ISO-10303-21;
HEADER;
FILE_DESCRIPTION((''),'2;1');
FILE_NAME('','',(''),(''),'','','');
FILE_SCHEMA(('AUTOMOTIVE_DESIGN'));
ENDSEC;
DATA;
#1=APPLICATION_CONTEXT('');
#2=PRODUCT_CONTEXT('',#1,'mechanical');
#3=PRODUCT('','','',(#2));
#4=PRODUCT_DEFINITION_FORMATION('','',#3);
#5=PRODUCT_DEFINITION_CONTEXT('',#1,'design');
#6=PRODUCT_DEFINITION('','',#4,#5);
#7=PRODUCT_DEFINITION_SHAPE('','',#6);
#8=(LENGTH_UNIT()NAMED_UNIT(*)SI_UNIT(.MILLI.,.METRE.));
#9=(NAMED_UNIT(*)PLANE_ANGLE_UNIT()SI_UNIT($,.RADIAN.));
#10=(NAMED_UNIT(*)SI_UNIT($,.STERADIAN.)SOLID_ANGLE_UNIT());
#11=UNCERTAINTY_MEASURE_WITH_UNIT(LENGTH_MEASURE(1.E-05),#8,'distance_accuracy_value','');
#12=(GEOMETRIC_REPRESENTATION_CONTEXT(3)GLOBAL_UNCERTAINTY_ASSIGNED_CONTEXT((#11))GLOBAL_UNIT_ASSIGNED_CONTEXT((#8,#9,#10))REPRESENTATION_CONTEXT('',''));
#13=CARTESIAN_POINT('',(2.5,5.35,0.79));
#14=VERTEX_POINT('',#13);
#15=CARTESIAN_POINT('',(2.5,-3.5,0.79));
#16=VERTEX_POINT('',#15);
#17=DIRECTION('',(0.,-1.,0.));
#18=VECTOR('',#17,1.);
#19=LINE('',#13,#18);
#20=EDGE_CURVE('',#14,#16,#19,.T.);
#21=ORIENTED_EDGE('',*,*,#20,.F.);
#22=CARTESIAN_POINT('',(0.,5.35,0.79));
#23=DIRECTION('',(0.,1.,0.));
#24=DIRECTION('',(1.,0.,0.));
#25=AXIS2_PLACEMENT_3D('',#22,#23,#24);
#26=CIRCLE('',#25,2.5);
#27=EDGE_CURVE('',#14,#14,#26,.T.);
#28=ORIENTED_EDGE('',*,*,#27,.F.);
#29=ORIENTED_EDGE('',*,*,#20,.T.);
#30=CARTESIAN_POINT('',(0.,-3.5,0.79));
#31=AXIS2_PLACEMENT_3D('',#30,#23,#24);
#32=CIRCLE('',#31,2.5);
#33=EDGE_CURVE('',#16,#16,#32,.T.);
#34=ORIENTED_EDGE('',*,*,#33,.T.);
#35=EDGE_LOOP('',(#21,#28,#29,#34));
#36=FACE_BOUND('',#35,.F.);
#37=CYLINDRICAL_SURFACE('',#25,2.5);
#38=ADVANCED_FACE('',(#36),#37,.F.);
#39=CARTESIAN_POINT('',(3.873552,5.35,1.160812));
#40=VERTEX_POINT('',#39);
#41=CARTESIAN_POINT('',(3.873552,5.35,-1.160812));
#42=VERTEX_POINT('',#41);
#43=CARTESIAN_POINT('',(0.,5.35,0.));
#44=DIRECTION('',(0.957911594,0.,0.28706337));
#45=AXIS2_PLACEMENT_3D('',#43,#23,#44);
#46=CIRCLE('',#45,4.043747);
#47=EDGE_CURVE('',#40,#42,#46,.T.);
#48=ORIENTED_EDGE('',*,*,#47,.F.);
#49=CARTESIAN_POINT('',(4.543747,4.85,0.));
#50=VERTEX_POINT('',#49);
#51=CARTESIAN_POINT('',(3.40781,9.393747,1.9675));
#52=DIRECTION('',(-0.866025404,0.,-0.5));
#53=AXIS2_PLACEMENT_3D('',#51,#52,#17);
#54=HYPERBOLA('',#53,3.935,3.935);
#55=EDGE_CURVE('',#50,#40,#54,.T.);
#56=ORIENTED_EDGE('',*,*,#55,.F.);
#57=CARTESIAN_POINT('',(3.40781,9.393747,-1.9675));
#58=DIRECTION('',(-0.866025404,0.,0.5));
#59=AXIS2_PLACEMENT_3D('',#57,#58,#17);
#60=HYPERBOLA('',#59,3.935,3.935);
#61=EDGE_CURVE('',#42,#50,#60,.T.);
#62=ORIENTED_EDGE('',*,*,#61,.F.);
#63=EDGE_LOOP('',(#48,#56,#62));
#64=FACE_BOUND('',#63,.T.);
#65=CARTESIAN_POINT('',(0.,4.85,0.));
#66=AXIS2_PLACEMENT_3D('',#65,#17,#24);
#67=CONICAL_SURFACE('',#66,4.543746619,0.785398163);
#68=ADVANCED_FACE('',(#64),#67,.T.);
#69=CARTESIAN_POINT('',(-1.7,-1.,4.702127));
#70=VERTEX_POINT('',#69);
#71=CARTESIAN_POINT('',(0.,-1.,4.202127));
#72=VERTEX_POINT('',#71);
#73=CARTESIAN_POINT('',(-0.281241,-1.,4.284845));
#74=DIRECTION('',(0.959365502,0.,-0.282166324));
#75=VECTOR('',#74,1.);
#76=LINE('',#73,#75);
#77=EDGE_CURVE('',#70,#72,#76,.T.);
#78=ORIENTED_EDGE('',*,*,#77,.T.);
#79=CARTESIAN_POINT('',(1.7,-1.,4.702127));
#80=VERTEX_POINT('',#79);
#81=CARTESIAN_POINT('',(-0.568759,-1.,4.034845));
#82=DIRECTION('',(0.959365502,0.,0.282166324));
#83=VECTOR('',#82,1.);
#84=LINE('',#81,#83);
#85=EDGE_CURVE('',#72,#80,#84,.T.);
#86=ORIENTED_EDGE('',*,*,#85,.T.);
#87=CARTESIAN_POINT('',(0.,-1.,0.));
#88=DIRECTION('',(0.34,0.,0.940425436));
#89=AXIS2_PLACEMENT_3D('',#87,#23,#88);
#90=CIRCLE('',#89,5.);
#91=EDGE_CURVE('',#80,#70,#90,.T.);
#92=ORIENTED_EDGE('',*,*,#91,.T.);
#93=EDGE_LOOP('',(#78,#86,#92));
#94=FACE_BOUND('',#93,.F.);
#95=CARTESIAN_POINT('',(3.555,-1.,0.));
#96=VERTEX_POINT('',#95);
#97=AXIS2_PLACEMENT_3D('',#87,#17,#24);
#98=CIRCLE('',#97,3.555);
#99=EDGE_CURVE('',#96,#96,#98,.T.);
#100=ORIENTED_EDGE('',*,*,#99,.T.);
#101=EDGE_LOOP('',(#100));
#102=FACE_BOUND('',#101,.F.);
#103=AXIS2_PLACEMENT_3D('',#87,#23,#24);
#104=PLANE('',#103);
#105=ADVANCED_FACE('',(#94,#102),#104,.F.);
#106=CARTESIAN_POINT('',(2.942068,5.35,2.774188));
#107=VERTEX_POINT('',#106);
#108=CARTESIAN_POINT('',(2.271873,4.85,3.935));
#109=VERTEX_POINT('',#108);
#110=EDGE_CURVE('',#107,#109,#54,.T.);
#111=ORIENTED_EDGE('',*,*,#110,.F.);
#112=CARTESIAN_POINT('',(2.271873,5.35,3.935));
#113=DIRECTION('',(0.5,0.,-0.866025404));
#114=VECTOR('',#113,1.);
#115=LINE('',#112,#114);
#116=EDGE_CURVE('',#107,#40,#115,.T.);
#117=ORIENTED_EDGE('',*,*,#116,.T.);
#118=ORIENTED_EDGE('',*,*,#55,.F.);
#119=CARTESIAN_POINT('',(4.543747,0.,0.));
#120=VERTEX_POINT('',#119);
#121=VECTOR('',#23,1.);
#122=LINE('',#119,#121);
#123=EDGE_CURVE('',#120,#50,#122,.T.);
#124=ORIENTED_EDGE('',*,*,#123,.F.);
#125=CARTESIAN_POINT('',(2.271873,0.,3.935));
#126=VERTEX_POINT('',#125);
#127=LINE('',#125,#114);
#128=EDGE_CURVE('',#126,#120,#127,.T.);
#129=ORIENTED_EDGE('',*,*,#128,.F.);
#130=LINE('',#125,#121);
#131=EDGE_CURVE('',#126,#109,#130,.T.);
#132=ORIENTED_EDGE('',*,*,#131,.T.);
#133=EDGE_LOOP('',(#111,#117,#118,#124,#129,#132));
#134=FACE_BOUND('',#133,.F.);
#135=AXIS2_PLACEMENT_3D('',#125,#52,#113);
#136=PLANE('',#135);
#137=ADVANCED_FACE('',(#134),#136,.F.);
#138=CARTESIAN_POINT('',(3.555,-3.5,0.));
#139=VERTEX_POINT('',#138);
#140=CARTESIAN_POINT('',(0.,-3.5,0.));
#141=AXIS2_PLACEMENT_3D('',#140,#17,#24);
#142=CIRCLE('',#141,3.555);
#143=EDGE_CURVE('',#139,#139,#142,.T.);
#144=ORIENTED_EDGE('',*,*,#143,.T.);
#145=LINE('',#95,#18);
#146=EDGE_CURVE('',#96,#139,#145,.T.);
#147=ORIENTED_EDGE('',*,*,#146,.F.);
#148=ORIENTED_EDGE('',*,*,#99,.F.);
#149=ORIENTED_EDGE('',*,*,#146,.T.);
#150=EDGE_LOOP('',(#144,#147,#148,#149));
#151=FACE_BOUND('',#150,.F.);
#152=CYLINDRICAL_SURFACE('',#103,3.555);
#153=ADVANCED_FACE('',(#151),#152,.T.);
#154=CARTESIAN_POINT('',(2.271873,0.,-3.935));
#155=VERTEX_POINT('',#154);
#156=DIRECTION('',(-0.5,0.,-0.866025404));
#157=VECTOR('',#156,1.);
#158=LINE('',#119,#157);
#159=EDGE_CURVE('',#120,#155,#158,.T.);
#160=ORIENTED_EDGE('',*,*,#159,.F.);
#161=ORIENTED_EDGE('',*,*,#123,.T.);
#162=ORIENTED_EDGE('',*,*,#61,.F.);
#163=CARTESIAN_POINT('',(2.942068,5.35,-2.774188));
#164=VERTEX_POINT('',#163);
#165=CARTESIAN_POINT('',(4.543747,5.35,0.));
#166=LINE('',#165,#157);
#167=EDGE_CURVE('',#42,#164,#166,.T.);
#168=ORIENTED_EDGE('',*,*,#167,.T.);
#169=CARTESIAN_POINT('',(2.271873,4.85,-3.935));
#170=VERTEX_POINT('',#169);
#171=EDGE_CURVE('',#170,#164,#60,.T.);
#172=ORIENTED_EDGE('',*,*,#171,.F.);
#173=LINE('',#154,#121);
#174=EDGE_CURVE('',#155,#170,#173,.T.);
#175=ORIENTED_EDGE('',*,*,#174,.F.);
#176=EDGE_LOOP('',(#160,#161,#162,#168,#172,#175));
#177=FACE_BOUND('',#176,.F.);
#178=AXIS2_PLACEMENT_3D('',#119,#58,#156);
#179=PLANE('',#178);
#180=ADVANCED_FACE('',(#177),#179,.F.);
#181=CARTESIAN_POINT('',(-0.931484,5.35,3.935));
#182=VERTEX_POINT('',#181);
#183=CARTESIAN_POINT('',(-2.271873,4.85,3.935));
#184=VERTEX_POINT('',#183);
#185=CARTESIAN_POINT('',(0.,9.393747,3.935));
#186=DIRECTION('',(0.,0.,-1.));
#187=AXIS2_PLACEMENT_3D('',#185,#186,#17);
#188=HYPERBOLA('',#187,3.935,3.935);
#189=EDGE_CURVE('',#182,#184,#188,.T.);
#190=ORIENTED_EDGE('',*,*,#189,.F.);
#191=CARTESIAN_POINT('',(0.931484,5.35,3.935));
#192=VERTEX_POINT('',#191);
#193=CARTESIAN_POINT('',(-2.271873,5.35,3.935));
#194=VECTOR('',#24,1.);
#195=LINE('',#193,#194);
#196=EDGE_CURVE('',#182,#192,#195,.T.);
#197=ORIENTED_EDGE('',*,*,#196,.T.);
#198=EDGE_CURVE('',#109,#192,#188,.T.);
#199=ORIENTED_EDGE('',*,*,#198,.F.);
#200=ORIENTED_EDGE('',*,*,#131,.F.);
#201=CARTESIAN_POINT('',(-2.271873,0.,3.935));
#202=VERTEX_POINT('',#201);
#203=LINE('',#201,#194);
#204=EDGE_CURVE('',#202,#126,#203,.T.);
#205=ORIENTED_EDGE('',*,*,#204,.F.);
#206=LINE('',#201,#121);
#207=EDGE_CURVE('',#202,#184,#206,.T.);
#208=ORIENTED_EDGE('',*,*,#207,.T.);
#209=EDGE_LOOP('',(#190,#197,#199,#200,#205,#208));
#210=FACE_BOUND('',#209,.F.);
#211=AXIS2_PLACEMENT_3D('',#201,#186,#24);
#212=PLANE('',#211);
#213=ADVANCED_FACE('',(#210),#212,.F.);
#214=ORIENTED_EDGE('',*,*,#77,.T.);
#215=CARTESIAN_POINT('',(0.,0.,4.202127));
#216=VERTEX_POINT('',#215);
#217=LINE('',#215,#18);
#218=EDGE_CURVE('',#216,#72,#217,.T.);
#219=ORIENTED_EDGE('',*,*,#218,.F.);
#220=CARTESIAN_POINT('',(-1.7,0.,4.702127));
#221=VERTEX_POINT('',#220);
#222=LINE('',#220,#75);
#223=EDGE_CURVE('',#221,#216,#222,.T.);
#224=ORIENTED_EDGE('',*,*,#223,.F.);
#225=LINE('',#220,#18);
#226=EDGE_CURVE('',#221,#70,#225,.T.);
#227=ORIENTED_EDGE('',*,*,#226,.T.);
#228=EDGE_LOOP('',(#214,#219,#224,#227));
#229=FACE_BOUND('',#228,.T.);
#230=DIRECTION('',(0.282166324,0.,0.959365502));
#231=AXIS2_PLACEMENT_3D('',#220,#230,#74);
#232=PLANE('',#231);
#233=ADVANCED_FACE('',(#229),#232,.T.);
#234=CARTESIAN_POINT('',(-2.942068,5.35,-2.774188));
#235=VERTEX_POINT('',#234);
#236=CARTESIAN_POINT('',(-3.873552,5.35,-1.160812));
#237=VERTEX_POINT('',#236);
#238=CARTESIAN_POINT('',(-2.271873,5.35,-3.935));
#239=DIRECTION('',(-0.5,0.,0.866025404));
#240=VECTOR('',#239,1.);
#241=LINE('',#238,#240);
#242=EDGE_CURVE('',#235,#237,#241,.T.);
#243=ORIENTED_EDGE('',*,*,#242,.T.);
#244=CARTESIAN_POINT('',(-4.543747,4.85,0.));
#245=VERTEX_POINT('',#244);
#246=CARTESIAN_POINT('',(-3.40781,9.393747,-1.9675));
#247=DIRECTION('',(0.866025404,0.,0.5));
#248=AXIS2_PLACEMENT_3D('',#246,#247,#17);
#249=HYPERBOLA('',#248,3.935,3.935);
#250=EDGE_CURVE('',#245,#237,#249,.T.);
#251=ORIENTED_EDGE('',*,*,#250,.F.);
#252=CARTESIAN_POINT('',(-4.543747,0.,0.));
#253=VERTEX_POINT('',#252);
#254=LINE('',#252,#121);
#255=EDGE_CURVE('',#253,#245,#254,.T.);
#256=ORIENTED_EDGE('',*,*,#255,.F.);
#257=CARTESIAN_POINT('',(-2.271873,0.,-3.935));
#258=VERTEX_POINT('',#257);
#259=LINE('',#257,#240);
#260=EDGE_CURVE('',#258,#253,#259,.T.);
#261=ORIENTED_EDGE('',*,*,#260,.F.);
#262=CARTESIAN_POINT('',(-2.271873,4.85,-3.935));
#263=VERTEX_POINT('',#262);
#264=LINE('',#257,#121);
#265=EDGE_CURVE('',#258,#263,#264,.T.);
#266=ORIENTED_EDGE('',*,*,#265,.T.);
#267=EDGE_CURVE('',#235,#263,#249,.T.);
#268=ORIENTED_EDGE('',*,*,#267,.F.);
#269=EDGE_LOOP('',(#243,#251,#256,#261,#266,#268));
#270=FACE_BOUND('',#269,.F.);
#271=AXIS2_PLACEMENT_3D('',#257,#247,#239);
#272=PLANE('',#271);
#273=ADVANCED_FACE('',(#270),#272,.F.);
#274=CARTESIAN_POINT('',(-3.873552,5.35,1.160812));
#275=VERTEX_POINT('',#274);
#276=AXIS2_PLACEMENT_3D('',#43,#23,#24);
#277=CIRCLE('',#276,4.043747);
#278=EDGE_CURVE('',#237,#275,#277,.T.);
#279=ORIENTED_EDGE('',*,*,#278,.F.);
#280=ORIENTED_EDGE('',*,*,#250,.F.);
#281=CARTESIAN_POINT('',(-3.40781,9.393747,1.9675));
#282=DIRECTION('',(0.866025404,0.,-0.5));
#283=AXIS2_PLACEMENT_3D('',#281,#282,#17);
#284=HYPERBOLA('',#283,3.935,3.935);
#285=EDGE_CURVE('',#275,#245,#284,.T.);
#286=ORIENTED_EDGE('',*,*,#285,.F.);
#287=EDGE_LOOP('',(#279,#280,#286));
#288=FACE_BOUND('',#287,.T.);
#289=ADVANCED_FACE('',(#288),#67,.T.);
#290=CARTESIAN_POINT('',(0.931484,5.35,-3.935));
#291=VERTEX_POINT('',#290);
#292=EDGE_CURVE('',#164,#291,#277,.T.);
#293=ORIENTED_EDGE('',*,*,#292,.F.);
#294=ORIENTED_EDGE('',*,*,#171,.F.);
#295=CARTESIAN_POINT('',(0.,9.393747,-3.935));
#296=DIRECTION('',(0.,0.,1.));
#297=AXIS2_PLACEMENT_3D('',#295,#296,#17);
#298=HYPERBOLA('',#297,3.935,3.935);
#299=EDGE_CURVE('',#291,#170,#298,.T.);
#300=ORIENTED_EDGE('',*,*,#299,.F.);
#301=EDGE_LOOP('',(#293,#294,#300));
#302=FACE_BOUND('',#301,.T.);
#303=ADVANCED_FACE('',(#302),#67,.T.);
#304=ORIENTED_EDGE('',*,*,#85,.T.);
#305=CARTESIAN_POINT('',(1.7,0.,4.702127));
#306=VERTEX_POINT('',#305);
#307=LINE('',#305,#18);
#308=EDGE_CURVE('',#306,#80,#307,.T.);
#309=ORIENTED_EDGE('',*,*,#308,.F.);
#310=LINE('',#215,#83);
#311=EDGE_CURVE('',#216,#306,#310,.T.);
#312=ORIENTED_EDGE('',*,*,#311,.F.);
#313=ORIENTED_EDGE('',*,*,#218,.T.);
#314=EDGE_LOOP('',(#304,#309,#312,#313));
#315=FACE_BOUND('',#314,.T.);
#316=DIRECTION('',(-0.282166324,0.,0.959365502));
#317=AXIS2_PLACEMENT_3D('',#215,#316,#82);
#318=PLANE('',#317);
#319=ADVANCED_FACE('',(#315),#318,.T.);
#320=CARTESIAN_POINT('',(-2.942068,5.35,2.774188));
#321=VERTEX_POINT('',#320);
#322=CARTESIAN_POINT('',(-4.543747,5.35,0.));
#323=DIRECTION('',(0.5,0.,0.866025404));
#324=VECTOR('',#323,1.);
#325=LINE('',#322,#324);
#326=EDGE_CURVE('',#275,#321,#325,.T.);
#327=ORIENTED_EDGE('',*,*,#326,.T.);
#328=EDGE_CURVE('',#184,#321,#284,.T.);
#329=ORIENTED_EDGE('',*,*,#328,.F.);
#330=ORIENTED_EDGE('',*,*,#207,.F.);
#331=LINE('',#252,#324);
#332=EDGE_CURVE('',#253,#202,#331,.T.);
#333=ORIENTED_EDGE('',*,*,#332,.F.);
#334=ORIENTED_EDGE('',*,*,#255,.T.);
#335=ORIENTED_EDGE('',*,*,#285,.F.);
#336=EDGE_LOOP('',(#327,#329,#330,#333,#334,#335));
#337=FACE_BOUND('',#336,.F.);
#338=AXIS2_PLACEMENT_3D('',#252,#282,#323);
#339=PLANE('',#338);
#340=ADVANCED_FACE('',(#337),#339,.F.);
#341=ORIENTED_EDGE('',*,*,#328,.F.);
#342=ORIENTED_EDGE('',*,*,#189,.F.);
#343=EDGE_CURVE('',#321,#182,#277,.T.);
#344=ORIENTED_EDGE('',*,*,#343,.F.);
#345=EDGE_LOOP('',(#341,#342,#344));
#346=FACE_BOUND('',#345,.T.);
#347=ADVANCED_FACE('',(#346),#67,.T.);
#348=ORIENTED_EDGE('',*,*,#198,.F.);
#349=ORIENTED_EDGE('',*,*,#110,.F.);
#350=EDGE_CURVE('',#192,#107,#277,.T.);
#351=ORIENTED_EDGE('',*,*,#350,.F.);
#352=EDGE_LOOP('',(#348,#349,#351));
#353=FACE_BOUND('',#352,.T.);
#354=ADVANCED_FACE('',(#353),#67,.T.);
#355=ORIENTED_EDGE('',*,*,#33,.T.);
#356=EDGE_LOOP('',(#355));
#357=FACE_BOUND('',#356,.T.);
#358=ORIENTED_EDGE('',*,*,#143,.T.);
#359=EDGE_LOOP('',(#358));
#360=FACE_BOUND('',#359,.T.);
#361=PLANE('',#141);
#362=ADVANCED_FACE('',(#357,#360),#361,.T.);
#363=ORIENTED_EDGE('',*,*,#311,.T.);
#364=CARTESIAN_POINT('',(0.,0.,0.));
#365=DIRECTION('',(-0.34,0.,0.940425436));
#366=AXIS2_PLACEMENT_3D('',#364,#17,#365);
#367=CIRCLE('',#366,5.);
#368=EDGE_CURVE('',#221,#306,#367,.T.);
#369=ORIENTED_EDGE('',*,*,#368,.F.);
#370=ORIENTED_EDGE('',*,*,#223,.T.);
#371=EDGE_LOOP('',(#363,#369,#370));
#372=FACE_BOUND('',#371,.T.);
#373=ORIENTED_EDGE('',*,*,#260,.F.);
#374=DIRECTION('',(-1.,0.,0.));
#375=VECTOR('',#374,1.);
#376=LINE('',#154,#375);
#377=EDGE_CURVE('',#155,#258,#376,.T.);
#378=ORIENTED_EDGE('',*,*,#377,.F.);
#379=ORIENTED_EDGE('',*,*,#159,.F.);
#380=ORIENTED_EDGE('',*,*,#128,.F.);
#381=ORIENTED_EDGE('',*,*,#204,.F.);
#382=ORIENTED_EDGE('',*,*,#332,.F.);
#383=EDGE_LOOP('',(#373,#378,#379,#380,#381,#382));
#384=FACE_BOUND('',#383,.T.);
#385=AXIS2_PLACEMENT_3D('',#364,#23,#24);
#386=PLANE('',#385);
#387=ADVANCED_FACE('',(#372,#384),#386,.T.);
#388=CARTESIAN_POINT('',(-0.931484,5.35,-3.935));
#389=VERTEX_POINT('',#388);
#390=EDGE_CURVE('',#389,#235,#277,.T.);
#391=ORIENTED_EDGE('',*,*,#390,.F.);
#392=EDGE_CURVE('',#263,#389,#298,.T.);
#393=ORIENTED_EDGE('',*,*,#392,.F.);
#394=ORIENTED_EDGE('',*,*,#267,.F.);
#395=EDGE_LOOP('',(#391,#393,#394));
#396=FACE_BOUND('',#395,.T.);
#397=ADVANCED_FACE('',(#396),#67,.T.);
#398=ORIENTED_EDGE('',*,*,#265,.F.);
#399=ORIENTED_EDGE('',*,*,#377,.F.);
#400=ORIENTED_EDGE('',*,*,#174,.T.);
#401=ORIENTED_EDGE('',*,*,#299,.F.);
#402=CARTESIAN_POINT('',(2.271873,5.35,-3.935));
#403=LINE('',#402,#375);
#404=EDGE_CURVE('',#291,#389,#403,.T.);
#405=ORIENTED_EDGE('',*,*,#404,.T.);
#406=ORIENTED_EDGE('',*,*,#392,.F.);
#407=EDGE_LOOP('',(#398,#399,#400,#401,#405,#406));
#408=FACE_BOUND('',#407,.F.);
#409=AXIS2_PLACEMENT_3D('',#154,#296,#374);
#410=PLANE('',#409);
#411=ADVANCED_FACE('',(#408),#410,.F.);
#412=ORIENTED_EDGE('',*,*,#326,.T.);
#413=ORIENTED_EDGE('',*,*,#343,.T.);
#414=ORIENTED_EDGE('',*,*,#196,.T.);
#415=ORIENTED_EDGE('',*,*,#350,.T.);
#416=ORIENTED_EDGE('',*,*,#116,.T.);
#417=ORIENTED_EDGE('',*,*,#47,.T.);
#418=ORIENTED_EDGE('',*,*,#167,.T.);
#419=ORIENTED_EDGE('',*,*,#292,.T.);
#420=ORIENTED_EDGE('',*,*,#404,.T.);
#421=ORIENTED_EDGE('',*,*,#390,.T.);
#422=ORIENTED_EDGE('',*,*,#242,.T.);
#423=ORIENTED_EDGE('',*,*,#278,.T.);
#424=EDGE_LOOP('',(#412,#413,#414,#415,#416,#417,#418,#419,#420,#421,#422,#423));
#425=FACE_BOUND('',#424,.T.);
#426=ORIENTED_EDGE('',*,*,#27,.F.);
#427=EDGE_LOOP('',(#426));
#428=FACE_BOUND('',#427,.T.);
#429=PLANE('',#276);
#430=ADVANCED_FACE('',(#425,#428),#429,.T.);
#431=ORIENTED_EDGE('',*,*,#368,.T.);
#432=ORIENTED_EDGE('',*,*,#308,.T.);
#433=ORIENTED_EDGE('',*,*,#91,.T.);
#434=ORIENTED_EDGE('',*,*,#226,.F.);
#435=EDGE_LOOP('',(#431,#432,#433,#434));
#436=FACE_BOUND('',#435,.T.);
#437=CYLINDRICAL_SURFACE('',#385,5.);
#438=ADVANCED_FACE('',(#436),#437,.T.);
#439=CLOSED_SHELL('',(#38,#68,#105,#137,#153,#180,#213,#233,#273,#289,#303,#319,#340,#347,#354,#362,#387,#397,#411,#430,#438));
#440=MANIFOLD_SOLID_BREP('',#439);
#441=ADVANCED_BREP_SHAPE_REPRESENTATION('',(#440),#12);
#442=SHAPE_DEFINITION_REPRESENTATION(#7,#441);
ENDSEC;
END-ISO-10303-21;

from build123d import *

# Parameters (mm, degrees)
BOSS_EXTRUDE1_DEPTH = 5.35
SKETCH2_R           = 5
BOSS_EXTRUDE2_DEPTH = 1
SKETCH3_R           = 3.555
BOSS_EXTRUDE3_DEPTH = 2.5
SKETCH4_R           = 2.5
CUT_EXTRUDE1_DEPTH  = 9.85
CUT_EXTRUDE2_DEPTH  = 4.5


with BuildPart() as part:
    # Sketch1 → Boss-Extrude1 (new body)
    with BuildSketch(Plane(origin=(0, 0, 0), x_dir=(1, 0, 0), z_dir=(0, 1, 0))):
        Polygon((4.543746619, 0), (2.271873309, 3.935), (-2.271873309, 3.935), (-4.543746619, 0), (-2.271873309, -3.935), (2.271873309, -3.935), align=None)
    extrude(amount=BOSS_EXTRUDE1_DEPTH)

    # Sketch2 → Boss-Extrude2 (add)
    with BuildSketch(Plane(origin=(0, 0, 0), x_dir=(1, 0, 0), z_dir=(0, 1, 0))):
        Circle(SKETCH2_R)
    extrude(amount=-BOSS_EXTRUDE2_DEPTH)

    # Sketch3 → Boss-Extrude3 (add)
    with BuildSketch(Plane.XZ.offset(1)):
        Circle(SKETCH3_R)
    extrude(amount=BOSS_EXTRUDE3_DEPTH)

    # Sketch4 → Cut-Extrude1 (cut, through all)
    with BuildSketch(Plane(origin=(0, 5.35, 0), x_dir=(1, 0, 0), z_dir=(0, 1, 0))):
        with Locations((0, -0.79)):
            Circle(SKETCH4_R)
    extrude(amount=-CUT_EXTRUDE1_DEPTH, mode=Mode.SUBTRACT)

    # Sketch5 → Cut-Extrude2 (cut, through all)
    with BuildSketch(Plane(origin=(0, 0, 0), x_dir=(1, 0, 0), z_dir=(0, 1, 0))):
        with BuildLine():
            Line((-1.7, -4.702127178), (0, -4.202127178))
            Line((0, -4.202127178), (1.7, -4.702127178))
            ThreePointArc((1.7, -4.702127178), (0, -5), (-1.7, -4.702127178))
        make_face()
    extrude(amount=-CUT_EXTRUDE2_DEPTH, mode=Mode.SUBTRACT)

    # Sketch6 → Cut-Revolve1 (revolve, cut)
    with BuildSketch(Plane.XY):
        Polygon((4.043746619, 5.35), (4.543746619, 5.35), (4.543746619, 4.85), align=None)
    revolve(axis=Axis((0, 0, 0), (0, 1, 0)), mode=Mode.SUBTRACT)


solid = part.part
